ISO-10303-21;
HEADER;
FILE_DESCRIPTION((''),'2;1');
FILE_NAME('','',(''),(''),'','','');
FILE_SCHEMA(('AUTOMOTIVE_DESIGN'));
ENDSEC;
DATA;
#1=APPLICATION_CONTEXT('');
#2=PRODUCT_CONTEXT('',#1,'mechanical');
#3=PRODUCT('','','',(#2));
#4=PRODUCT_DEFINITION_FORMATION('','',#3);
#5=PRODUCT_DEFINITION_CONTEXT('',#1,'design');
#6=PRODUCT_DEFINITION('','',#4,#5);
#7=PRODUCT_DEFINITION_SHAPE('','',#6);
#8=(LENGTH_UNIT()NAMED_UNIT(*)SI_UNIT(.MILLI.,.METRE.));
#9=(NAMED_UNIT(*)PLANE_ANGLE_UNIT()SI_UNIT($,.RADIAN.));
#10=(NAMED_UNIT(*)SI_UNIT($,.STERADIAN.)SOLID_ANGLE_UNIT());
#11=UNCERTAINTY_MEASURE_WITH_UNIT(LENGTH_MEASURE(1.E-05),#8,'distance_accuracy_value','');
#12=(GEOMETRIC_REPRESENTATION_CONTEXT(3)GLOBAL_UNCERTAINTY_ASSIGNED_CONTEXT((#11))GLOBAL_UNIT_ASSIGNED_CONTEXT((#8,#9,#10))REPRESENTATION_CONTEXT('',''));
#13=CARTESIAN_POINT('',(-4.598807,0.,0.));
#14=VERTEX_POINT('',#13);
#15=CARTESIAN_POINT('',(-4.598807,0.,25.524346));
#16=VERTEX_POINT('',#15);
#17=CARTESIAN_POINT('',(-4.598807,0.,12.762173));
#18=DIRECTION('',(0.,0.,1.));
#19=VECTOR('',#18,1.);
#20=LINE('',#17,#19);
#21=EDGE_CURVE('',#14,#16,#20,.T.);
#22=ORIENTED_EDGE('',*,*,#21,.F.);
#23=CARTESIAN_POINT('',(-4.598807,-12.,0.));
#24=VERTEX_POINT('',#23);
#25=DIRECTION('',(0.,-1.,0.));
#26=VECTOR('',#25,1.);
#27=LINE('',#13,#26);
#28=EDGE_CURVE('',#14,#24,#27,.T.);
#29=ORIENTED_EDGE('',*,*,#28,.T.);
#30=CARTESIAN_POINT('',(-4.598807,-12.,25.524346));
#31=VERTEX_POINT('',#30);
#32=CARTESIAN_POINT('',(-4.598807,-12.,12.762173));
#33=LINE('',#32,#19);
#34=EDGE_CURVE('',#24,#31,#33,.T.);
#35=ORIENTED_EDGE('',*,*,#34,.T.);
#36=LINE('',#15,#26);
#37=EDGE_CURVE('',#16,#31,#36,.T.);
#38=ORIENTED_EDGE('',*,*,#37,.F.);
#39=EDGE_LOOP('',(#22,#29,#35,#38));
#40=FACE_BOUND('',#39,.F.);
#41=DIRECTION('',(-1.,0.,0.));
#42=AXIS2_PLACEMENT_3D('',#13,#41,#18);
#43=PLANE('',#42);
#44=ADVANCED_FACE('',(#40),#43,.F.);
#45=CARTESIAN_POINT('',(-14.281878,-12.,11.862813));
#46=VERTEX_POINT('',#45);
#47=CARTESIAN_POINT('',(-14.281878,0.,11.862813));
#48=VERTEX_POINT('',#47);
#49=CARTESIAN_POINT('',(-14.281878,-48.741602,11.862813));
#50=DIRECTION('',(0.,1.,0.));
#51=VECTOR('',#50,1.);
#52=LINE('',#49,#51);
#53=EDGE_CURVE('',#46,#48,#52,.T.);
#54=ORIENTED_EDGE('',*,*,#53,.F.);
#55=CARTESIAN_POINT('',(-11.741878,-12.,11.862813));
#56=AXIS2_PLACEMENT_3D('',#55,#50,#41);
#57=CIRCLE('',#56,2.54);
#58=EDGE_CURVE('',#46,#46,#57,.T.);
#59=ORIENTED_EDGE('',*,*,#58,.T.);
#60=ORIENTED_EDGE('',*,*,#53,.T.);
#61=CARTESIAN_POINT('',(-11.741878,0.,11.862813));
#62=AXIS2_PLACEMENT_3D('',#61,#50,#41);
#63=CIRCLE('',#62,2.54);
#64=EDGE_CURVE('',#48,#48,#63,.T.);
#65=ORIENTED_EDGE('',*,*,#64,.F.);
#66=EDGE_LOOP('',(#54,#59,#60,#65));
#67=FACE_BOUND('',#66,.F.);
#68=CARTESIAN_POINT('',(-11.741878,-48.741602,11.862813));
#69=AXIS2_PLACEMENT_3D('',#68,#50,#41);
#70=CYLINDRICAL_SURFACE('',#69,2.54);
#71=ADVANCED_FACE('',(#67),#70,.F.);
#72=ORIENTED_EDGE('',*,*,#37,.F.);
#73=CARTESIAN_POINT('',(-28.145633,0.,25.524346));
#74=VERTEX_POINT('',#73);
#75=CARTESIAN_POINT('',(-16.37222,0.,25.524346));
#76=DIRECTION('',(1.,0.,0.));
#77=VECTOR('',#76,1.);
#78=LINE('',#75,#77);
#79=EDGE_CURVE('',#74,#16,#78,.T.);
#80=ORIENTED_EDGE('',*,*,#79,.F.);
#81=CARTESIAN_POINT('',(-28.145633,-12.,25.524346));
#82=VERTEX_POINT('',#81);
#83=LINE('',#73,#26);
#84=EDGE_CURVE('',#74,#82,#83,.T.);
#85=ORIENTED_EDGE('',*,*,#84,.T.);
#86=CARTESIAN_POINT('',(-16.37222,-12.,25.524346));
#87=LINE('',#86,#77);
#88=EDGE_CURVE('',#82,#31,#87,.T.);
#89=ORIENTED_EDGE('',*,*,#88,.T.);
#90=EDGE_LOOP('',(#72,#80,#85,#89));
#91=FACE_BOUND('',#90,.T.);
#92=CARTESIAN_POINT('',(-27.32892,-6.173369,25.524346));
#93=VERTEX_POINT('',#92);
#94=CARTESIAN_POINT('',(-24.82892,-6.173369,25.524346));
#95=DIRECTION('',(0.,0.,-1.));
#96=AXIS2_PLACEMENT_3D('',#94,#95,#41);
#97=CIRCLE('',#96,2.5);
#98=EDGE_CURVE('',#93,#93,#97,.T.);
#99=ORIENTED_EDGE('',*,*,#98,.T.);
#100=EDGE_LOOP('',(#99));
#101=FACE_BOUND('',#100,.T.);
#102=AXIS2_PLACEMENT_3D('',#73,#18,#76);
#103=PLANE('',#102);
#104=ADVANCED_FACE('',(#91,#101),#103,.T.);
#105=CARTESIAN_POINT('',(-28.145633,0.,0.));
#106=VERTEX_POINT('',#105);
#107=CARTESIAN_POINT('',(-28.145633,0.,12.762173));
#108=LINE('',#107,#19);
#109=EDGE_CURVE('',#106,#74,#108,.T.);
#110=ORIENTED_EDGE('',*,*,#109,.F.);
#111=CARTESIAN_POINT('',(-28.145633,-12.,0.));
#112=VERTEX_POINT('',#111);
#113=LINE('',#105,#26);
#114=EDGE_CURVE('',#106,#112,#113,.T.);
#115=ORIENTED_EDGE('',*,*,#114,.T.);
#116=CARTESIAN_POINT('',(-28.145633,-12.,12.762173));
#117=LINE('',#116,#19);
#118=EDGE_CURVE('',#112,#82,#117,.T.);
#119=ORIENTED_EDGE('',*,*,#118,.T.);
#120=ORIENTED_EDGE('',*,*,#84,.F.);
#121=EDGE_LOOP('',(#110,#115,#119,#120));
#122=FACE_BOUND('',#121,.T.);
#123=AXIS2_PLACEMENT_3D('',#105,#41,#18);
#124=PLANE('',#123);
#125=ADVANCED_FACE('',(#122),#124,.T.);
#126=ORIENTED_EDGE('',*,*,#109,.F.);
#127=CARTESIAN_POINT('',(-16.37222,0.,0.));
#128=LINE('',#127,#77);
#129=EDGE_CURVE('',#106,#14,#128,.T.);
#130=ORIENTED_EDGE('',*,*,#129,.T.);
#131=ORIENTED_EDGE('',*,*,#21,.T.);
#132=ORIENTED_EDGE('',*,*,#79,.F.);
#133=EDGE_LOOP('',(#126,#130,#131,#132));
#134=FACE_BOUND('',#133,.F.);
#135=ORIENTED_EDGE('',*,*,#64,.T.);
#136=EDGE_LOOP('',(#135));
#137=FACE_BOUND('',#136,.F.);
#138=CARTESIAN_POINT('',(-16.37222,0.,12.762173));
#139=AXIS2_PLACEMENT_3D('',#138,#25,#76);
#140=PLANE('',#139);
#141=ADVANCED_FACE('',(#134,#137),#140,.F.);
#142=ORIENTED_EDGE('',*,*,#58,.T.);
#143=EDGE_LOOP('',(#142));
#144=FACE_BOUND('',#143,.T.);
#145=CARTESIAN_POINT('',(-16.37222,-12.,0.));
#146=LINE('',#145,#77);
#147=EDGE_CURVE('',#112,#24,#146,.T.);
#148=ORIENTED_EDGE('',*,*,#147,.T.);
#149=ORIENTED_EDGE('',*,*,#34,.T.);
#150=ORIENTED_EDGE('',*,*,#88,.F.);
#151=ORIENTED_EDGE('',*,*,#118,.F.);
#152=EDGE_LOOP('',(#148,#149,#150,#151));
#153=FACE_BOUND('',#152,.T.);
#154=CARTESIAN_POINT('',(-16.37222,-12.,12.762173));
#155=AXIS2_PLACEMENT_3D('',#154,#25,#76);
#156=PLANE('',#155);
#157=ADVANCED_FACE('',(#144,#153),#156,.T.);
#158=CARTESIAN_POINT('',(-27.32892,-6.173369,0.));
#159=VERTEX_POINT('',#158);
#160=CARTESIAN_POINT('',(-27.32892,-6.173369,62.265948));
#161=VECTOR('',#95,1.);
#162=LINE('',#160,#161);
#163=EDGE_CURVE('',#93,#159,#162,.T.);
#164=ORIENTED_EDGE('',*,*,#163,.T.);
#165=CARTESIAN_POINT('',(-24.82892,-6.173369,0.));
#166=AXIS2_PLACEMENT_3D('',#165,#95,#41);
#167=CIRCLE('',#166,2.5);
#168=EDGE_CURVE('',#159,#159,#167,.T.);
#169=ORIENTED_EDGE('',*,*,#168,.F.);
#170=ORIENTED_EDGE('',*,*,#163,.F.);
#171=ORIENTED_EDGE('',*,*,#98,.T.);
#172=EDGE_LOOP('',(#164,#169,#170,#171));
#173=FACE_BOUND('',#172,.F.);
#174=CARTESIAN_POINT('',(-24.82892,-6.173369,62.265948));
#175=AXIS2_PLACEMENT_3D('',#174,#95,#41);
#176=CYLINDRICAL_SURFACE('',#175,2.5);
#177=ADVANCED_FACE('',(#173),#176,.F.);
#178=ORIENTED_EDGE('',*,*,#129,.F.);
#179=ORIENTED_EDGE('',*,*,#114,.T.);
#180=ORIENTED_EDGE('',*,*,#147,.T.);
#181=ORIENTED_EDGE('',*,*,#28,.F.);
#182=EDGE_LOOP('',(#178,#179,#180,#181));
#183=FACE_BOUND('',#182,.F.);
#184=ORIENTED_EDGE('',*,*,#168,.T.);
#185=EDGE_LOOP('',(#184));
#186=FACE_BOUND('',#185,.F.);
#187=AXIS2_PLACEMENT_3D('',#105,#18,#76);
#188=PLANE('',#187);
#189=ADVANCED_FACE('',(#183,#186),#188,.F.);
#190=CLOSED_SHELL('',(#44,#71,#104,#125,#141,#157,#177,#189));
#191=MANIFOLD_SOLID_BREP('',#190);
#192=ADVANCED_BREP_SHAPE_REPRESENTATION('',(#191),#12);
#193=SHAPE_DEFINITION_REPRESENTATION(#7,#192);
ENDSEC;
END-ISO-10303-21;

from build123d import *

# Parameters (mm, degrees)
F0_W     = 23.546827
F0_H     = 25.524346
F1_DEPTH = 12
F3_D     = 5
F6_D     = 5.08


with BuildPart() as f1:
    # F0 (on Front) → F1 (new body)
    with BuildSketch(Plane.XZ):
        with Locations((-16.37222, 12.762173)):
            Rectangle(F0_W, F0_H)
    extrude(amount=F1_DEPTH)

    # F3 (through all)
    with Locations(Plane.XY.offset(25.524346)):
        with Locations((-24.82892, -6.173369)):
            Hole(F3_D / 2)

    # F6 (through all)
    with Locations(Plane.XZ.offset(12)):
        with Locations((-11.741878, 11.862813)):
            Hole(F6_D / 2)


solid = f1.part
